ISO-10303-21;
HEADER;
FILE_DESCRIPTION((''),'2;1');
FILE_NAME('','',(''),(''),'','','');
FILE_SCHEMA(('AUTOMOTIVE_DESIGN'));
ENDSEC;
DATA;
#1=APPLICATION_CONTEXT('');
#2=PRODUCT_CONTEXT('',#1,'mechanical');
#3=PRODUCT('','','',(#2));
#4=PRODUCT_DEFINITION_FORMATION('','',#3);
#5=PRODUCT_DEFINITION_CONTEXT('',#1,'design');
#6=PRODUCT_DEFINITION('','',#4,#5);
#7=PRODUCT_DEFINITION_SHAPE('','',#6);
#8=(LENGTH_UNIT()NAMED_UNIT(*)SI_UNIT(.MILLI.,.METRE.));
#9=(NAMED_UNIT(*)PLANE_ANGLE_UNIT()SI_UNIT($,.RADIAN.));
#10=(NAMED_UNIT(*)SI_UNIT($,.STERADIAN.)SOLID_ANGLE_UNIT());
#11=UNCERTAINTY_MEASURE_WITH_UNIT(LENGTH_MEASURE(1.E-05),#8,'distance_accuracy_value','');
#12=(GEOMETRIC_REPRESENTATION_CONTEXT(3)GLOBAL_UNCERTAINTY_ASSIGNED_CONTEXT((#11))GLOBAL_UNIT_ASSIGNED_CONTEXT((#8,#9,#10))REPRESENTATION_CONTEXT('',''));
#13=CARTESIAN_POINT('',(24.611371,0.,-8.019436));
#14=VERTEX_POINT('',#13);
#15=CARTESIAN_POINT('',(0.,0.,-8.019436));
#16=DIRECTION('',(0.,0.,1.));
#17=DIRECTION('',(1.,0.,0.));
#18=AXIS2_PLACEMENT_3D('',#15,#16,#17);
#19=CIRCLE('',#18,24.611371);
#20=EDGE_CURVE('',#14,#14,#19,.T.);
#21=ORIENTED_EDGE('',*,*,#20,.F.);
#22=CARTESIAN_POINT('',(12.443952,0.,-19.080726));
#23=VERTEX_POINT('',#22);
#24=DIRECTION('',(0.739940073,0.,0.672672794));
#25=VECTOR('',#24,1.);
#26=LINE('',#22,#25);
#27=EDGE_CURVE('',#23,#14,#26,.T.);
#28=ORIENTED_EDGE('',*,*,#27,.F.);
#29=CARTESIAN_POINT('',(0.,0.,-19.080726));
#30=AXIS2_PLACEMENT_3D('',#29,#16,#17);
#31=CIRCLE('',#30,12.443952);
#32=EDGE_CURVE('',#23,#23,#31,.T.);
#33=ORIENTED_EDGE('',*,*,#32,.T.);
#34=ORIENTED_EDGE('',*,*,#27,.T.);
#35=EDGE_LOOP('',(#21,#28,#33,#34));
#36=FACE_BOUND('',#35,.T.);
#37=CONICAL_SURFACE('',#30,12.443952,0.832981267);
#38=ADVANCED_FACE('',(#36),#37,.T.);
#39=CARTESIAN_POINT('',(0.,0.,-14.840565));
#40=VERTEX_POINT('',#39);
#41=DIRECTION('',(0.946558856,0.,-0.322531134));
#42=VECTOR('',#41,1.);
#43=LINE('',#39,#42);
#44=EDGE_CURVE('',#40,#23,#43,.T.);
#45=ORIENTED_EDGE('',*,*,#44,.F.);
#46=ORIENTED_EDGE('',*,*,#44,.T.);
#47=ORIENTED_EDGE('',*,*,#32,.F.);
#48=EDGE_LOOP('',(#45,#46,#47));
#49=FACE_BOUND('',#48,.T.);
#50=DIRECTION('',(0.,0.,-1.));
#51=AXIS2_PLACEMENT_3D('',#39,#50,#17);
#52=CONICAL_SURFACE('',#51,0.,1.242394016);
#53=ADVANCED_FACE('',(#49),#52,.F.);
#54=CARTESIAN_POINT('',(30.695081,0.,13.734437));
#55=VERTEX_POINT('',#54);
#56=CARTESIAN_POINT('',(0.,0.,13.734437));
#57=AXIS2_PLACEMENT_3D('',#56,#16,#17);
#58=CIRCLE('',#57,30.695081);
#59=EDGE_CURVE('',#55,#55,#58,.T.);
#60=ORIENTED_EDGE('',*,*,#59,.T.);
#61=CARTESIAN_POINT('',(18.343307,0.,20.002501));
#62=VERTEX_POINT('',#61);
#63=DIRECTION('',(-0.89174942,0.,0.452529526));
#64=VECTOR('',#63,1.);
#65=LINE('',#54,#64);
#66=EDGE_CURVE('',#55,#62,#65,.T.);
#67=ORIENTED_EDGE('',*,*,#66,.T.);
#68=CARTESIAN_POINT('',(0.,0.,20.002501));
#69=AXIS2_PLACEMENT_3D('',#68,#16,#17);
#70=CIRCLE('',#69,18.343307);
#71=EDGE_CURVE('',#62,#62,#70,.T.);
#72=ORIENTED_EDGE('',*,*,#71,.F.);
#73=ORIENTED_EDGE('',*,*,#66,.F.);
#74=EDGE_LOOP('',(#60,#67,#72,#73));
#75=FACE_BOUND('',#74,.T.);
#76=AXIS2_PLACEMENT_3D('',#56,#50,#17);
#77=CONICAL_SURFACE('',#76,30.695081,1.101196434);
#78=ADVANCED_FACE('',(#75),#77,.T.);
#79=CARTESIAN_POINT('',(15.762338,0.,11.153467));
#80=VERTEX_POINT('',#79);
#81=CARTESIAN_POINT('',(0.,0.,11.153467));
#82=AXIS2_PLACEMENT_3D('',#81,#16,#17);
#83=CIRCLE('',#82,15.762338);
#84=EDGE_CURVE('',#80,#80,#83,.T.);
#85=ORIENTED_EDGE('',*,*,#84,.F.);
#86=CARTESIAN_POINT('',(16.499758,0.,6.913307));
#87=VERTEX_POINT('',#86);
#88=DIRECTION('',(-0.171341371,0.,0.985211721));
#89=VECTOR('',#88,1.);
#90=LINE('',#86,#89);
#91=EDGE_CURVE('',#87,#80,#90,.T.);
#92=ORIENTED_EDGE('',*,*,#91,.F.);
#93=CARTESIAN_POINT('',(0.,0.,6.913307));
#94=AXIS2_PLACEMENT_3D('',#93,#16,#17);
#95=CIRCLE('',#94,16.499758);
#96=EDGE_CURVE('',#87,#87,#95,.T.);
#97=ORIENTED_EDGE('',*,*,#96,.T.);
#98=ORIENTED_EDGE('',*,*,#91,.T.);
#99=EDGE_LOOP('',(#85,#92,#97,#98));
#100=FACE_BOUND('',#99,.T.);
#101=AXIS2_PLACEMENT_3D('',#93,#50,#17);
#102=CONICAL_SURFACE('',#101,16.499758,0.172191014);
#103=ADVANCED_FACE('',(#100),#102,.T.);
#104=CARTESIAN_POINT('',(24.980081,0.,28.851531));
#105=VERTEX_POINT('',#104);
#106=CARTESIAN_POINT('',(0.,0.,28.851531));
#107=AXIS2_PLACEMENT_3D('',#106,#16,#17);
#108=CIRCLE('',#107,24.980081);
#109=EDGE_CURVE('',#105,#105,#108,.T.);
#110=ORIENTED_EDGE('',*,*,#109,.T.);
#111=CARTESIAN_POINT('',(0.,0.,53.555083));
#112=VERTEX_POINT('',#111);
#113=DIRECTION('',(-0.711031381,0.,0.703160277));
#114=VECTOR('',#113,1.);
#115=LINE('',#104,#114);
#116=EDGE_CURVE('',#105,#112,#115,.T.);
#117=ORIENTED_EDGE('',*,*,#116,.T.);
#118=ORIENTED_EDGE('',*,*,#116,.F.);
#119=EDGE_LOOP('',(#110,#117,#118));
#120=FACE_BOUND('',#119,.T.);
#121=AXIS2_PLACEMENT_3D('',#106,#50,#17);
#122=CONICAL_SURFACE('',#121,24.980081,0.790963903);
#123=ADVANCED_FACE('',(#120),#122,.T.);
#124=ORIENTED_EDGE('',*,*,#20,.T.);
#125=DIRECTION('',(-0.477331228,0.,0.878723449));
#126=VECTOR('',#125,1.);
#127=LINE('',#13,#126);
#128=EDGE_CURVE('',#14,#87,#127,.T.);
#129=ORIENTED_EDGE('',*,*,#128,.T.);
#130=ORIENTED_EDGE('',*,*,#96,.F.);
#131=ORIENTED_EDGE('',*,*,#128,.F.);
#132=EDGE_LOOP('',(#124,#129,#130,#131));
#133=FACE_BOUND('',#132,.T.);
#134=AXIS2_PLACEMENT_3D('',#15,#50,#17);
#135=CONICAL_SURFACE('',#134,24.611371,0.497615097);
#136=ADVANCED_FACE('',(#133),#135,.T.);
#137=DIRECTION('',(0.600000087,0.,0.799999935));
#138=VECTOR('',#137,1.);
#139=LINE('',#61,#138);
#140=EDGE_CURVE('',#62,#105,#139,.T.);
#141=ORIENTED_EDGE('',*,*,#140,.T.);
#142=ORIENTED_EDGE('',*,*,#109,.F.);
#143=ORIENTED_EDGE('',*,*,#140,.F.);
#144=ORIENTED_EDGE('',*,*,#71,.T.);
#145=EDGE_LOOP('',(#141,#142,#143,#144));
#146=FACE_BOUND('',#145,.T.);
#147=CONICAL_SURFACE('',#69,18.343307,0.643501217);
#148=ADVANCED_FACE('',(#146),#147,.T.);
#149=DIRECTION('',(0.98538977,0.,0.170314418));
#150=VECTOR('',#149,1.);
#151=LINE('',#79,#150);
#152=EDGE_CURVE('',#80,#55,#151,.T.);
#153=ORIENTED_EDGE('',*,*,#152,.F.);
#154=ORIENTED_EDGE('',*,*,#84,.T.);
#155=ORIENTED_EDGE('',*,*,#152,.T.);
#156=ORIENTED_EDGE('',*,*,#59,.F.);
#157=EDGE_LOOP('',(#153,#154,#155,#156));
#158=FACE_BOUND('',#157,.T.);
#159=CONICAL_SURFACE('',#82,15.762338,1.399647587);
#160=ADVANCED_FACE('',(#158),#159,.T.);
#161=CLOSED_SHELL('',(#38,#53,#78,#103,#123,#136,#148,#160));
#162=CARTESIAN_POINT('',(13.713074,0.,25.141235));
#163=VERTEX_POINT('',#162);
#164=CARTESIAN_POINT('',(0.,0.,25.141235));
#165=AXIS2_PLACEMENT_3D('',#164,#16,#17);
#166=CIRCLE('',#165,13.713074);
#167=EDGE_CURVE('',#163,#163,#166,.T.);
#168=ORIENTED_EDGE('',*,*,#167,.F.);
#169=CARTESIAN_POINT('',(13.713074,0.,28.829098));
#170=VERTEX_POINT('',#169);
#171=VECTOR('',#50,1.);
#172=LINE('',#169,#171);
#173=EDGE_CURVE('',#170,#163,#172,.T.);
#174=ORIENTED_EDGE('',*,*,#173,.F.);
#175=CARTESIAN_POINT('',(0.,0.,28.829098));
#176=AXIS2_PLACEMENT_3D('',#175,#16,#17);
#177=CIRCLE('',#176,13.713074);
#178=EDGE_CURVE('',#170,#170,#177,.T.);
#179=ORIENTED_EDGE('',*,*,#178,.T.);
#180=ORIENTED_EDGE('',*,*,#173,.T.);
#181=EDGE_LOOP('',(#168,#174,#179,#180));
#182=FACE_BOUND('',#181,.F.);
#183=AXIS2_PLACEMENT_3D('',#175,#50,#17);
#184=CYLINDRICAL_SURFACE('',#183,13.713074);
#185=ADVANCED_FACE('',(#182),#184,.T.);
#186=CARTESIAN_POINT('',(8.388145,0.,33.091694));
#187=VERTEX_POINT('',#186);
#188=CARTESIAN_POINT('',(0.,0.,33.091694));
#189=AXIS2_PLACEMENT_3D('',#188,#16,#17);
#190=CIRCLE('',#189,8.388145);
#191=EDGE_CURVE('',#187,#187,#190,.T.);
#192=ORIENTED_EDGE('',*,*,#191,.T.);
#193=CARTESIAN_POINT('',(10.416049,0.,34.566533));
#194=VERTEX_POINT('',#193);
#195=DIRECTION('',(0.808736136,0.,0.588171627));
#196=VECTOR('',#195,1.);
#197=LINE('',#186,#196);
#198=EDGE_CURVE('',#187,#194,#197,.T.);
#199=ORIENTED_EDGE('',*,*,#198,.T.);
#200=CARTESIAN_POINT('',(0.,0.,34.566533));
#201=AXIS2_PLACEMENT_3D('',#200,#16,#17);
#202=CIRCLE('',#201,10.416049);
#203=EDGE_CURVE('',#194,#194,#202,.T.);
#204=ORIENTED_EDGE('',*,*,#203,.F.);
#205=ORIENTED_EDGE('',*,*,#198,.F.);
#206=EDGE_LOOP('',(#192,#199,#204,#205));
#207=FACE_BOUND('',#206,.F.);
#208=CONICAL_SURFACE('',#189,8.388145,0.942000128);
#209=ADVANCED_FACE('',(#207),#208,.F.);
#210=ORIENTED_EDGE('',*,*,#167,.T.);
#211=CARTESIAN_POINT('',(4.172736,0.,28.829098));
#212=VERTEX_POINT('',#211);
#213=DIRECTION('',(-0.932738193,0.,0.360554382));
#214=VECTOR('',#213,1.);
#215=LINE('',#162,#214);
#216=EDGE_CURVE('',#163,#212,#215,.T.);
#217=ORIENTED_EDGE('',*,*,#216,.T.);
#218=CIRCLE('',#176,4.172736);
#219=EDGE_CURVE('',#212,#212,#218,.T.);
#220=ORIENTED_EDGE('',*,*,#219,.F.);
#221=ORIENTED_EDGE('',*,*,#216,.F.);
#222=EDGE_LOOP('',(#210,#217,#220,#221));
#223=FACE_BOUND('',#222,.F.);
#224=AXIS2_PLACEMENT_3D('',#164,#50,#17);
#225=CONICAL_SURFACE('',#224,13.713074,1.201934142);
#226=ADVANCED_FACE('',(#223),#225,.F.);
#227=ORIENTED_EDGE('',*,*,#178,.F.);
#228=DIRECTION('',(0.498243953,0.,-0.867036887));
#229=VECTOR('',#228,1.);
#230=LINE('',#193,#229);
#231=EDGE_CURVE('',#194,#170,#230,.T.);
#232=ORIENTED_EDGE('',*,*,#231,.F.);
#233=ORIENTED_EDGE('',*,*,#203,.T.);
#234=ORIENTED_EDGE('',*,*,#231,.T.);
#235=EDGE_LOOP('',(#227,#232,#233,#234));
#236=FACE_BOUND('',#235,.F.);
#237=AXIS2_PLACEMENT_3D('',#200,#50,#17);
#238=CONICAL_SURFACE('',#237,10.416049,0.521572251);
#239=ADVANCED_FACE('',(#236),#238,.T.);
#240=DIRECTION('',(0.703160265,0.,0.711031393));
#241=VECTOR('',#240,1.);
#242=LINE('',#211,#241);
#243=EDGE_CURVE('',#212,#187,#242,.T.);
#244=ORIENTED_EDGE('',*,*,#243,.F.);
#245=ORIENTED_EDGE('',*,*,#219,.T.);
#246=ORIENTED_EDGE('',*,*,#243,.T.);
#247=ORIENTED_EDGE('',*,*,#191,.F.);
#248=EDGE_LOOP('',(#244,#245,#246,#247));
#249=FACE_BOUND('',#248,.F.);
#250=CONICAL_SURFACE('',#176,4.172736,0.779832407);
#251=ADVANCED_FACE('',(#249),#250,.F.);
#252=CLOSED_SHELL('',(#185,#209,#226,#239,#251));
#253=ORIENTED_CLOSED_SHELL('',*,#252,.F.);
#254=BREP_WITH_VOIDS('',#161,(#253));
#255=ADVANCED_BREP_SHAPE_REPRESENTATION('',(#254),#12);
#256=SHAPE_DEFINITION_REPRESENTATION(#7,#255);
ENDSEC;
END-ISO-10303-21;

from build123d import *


with BuildPart() as f1:
    # F0 (on Front) → F1 (revolve)
    with BuildSketch(Plane.XZ):
        Polygon((0, 53.555083), (0, 0), (0, -14.840565), (12.443952, -19.080726), (24.611371, -8.019436), (16.499758, 6.913307), (15.762338, 11.153467), (30.695081, 13.734437), (18.343307, 20.002501), (24.980081, 28.851531), align=None)
        Polygon((4.172736, 28.829098), (8.388145, 33.091694), (10.416049, 34.566533), (13.713074, 28.829098), (13.713074, 25.141235), align=None, mode=Mode.SUBTRACT)
    revolve(axis=Axis((0, 0, 26.777541), (0, 0, 1)))


solid = f1.part
